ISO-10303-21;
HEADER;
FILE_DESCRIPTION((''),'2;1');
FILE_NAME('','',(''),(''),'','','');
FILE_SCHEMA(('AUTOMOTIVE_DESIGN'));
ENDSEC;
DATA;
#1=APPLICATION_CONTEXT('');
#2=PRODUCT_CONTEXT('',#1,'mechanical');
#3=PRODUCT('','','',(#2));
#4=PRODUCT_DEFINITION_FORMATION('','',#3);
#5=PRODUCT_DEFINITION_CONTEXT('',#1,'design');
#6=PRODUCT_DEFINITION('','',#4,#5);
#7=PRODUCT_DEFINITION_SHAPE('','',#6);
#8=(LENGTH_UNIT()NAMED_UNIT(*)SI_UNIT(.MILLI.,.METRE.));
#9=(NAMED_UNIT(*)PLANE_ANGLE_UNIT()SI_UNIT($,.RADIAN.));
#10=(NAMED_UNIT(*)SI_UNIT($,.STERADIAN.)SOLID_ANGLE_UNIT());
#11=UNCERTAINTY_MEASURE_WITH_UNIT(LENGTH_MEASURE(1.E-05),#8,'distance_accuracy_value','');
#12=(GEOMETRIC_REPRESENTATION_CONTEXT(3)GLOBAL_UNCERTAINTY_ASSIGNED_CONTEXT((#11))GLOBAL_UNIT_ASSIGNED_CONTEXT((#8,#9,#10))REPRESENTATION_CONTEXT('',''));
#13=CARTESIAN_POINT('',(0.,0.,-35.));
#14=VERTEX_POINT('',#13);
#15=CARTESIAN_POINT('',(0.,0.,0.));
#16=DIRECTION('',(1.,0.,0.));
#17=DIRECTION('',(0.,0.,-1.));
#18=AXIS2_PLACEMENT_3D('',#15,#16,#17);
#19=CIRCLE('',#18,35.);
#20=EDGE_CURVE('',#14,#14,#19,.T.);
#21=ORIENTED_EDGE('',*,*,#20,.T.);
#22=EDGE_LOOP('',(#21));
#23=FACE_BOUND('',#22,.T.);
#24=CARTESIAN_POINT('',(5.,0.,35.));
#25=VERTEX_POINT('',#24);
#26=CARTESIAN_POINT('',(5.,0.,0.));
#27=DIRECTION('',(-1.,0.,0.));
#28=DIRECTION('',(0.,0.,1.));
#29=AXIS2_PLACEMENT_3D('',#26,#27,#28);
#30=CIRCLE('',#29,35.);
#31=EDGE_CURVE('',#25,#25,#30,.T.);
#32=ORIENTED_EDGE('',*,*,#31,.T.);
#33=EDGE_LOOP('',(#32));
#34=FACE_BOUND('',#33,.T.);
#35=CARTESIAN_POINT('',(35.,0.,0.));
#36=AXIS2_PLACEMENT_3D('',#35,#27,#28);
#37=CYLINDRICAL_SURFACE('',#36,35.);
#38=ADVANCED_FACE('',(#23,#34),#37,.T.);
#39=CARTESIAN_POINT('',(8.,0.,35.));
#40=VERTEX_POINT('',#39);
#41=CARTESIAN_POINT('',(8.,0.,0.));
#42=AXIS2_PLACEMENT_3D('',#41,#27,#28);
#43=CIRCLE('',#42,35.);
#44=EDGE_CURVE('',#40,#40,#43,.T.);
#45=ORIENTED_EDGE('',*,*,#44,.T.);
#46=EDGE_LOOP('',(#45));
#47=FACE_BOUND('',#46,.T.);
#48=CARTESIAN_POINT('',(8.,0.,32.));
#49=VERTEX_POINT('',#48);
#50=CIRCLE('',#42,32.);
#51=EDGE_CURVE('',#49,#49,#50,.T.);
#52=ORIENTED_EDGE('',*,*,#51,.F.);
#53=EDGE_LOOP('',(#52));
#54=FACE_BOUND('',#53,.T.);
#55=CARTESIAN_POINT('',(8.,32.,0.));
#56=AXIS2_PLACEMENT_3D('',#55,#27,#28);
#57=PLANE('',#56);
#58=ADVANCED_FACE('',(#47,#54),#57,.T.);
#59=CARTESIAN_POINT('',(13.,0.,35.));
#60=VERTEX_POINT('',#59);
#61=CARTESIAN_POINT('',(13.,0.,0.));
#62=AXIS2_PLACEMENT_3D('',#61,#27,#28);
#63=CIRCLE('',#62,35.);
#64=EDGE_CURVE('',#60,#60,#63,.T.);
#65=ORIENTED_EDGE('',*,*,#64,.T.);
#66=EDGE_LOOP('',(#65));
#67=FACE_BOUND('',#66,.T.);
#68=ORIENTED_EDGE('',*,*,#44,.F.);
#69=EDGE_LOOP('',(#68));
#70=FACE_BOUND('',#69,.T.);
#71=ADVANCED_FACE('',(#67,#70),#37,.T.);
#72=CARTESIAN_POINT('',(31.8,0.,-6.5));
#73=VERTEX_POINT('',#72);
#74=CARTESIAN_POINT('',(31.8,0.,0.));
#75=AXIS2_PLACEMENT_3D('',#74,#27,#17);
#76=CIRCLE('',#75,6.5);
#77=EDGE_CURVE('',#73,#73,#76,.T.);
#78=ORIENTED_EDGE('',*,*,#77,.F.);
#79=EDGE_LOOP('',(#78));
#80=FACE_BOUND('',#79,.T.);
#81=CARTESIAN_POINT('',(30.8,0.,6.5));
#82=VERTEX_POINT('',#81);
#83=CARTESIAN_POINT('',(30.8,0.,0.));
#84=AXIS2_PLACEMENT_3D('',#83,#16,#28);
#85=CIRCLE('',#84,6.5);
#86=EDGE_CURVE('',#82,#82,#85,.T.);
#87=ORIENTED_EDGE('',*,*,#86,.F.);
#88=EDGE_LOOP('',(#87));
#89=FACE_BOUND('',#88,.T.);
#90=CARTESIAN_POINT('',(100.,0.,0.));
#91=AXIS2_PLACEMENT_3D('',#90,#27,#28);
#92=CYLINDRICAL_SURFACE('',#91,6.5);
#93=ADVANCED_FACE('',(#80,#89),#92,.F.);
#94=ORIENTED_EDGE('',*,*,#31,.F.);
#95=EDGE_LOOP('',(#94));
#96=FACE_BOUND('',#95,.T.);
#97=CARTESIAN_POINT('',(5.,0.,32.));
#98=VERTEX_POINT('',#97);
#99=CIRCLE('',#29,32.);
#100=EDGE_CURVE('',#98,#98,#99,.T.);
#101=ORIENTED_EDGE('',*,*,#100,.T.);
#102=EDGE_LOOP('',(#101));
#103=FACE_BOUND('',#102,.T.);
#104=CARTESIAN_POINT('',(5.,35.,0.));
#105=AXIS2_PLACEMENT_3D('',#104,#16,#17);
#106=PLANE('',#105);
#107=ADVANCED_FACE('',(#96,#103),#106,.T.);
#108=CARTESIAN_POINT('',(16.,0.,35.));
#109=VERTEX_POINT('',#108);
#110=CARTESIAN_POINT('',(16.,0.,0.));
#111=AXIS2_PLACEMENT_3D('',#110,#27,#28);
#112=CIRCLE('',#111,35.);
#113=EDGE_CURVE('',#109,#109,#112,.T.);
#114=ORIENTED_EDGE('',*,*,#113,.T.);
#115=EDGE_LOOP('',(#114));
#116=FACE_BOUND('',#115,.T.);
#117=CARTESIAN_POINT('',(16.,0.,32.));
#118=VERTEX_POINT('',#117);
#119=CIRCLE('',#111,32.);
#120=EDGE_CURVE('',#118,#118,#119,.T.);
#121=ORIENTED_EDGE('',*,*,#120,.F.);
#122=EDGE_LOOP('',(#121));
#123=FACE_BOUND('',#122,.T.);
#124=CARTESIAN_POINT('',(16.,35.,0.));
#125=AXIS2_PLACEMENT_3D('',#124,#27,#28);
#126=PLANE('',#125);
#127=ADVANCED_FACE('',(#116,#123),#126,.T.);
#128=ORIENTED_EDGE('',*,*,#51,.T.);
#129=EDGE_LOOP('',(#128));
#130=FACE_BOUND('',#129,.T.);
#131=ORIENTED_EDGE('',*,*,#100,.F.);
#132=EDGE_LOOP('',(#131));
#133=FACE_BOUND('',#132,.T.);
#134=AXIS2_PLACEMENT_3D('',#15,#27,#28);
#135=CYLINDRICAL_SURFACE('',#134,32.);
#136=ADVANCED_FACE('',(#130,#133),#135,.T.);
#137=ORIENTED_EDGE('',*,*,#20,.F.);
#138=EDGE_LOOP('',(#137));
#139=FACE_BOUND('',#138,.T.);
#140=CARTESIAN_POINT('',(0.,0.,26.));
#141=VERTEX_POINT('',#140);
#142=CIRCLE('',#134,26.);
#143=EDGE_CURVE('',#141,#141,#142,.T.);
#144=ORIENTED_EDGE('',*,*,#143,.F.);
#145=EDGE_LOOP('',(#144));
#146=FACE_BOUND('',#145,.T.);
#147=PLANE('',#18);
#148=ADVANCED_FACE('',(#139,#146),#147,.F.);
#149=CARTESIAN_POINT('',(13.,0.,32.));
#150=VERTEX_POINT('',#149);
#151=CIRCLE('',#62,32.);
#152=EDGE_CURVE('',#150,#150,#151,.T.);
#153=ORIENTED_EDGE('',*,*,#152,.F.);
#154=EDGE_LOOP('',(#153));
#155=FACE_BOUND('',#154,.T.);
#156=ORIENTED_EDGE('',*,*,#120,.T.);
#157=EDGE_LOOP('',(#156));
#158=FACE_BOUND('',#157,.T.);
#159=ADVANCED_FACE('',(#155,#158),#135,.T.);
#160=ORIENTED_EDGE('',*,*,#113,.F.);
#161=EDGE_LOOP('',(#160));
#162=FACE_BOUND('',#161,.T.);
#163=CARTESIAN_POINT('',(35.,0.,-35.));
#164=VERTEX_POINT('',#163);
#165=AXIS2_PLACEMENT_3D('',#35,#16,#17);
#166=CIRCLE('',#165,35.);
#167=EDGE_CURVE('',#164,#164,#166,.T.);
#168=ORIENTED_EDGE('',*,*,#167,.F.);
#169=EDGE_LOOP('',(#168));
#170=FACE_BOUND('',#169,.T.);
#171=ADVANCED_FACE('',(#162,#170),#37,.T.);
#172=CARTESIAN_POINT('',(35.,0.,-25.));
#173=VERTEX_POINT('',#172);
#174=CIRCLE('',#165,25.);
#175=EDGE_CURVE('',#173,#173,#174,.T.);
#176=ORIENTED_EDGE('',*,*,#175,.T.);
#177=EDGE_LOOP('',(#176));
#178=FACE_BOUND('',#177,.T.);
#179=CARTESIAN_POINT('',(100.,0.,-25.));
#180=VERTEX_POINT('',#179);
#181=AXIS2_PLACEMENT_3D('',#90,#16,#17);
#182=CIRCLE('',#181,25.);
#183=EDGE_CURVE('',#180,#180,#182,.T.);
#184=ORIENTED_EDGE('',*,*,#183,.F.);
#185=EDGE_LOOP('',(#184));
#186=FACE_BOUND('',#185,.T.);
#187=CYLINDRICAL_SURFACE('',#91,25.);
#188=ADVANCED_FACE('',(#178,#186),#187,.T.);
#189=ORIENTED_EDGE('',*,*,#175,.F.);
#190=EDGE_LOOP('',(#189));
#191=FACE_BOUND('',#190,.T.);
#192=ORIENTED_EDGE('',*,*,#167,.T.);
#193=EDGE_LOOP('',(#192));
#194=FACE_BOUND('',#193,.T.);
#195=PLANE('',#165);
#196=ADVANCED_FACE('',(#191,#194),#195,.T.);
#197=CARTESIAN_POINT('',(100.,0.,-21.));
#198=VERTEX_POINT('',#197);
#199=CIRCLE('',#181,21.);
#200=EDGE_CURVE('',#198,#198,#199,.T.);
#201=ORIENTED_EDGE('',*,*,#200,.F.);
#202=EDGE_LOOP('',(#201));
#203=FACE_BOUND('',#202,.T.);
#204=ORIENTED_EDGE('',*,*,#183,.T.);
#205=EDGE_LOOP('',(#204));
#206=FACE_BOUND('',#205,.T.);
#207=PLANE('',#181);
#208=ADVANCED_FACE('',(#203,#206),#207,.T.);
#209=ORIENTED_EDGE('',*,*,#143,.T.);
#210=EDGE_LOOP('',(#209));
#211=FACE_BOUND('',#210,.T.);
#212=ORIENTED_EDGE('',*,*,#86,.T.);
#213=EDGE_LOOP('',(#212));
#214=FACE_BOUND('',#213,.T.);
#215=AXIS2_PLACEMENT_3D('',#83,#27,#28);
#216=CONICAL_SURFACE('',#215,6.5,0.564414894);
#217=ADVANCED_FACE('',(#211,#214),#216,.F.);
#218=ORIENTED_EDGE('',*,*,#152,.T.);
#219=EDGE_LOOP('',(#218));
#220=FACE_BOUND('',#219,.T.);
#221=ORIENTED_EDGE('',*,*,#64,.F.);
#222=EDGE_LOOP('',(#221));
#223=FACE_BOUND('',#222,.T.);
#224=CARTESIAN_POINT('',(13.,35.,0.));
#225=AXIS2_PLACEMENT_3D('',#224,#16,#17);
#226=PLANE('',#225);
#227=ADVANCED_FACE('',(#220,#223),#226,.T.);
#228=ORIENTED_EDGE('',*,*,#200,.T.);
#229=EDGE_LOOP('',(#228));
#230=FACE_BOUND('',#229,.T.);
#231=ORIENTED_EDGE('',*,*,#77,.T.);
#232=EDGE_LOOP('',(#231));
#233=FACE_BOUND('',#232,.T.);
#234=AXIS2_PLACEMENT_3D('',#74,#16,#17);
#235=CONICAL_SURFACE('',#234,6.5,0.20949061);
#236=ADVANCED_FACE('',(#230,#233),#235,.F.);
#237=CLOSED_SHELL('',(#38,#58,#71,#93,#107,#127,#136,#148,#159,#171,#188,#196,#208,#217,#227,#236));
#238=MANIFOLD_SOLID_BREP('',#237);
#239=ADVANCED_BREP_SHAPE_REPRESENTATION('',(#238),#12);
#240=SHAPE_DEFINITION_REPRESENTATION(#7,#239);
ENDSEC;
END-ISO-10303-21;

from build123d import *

# Parameters (mm, degrees)
SKETCH1_R           = 35
BOSS_EXTRUDE1_DEPTH = 35
SKETCH2_R           = 25
BOSS_EXTRUDE2_DEPTH = 65
SKETCH5_R           = 26
SKETCH7_R           = 6.5
SKETCH6_R           = 21
SKETCH8_R           = 6.5
SKETCH13_R          = 6.5
CUT_EXTRUDE2_DEPTH  = 100


with BuildPart() as part:
    # Sketch1 → Boss-Extrude1 (new body)
    with BuildSketch(Plane(origin=(0, 0, 0), x_dir=(0, 0, -1), z_dir=(1, 0, 0))):
        Circle(SKETCH1_R)
    extrude(amount=BOSS_EXTRUDE1_DEPTH)

    # Sketch2 → Boss-Extrude2 (add)
    with BuildSketch(Plane(origin=(35, 0, 0), x_dir=(0, 0, -1), z_dir=(1, 0, 0))):
        Circle(SKETCH2_R)
    extrude(amount=BOSS_EXTRUDE2_DEPTH)

    # Sketch5 → Cut-Loft1 section 0
    with BuildSketch(Plane.ZY):
        Circle(SKETCH5_R)
    # Sketch7 → Cut-Loft1 section 1
    with BuildSketch(Plane.ZY.offset(-30.8)):
        Circle(SKETCH7_R)
    loft(mode=Mode.SUBTRACT)

    # Sketch6 → Cut-Loft2 section 0
    with BuildSketch(Plane(origin=(100, 0, 0), x_dir=(0, 0, -1), z_dir=(1, 0, 0))):
        Circle(SKETCH6_R)
    # Sketch8 → Cut-Loft2 section 1
    with BuildSketch(Plane(origin=(31.8, 0, 0), x_dir=(0, 0, -1), z_dir=(1, 0, 0))):
        Circle(SKETCH8_R)
    loft(mode=Mode.SUBTRACT)

    # Sketch12 → Cut-Revolve1 (revolve, cut)
    with BuildSketch(Plane.XY, mode=Mode.PRIVATE) as cut_revolve1_sk:
        Polygon((0, 35), (5, 35), (5, 32), (8, 32), (8, 35), (13, 35), (13, 32), (16, 32), (16, 35), (16, 38.455510313), (0, 38.455510313), align=None)
    revolve(cut_revolve1_sk.sketch.rotate(Axis((0, 0, 0), (1, 0, 0)), 90), axis=Axis((0, 0, 0), (1, 0, 0)), mode=Mode.SUBTRACT)

    # Sketch13 → Cut-Extrude2 (cut)
    with BuildSketch(Plane.ZY):
        Circle(SKETCH13_R)
    extrude(amount=-CUT_EXTRUDE2_DEPTH, mode=Mode.SUBTRACT)


solid = part.part
